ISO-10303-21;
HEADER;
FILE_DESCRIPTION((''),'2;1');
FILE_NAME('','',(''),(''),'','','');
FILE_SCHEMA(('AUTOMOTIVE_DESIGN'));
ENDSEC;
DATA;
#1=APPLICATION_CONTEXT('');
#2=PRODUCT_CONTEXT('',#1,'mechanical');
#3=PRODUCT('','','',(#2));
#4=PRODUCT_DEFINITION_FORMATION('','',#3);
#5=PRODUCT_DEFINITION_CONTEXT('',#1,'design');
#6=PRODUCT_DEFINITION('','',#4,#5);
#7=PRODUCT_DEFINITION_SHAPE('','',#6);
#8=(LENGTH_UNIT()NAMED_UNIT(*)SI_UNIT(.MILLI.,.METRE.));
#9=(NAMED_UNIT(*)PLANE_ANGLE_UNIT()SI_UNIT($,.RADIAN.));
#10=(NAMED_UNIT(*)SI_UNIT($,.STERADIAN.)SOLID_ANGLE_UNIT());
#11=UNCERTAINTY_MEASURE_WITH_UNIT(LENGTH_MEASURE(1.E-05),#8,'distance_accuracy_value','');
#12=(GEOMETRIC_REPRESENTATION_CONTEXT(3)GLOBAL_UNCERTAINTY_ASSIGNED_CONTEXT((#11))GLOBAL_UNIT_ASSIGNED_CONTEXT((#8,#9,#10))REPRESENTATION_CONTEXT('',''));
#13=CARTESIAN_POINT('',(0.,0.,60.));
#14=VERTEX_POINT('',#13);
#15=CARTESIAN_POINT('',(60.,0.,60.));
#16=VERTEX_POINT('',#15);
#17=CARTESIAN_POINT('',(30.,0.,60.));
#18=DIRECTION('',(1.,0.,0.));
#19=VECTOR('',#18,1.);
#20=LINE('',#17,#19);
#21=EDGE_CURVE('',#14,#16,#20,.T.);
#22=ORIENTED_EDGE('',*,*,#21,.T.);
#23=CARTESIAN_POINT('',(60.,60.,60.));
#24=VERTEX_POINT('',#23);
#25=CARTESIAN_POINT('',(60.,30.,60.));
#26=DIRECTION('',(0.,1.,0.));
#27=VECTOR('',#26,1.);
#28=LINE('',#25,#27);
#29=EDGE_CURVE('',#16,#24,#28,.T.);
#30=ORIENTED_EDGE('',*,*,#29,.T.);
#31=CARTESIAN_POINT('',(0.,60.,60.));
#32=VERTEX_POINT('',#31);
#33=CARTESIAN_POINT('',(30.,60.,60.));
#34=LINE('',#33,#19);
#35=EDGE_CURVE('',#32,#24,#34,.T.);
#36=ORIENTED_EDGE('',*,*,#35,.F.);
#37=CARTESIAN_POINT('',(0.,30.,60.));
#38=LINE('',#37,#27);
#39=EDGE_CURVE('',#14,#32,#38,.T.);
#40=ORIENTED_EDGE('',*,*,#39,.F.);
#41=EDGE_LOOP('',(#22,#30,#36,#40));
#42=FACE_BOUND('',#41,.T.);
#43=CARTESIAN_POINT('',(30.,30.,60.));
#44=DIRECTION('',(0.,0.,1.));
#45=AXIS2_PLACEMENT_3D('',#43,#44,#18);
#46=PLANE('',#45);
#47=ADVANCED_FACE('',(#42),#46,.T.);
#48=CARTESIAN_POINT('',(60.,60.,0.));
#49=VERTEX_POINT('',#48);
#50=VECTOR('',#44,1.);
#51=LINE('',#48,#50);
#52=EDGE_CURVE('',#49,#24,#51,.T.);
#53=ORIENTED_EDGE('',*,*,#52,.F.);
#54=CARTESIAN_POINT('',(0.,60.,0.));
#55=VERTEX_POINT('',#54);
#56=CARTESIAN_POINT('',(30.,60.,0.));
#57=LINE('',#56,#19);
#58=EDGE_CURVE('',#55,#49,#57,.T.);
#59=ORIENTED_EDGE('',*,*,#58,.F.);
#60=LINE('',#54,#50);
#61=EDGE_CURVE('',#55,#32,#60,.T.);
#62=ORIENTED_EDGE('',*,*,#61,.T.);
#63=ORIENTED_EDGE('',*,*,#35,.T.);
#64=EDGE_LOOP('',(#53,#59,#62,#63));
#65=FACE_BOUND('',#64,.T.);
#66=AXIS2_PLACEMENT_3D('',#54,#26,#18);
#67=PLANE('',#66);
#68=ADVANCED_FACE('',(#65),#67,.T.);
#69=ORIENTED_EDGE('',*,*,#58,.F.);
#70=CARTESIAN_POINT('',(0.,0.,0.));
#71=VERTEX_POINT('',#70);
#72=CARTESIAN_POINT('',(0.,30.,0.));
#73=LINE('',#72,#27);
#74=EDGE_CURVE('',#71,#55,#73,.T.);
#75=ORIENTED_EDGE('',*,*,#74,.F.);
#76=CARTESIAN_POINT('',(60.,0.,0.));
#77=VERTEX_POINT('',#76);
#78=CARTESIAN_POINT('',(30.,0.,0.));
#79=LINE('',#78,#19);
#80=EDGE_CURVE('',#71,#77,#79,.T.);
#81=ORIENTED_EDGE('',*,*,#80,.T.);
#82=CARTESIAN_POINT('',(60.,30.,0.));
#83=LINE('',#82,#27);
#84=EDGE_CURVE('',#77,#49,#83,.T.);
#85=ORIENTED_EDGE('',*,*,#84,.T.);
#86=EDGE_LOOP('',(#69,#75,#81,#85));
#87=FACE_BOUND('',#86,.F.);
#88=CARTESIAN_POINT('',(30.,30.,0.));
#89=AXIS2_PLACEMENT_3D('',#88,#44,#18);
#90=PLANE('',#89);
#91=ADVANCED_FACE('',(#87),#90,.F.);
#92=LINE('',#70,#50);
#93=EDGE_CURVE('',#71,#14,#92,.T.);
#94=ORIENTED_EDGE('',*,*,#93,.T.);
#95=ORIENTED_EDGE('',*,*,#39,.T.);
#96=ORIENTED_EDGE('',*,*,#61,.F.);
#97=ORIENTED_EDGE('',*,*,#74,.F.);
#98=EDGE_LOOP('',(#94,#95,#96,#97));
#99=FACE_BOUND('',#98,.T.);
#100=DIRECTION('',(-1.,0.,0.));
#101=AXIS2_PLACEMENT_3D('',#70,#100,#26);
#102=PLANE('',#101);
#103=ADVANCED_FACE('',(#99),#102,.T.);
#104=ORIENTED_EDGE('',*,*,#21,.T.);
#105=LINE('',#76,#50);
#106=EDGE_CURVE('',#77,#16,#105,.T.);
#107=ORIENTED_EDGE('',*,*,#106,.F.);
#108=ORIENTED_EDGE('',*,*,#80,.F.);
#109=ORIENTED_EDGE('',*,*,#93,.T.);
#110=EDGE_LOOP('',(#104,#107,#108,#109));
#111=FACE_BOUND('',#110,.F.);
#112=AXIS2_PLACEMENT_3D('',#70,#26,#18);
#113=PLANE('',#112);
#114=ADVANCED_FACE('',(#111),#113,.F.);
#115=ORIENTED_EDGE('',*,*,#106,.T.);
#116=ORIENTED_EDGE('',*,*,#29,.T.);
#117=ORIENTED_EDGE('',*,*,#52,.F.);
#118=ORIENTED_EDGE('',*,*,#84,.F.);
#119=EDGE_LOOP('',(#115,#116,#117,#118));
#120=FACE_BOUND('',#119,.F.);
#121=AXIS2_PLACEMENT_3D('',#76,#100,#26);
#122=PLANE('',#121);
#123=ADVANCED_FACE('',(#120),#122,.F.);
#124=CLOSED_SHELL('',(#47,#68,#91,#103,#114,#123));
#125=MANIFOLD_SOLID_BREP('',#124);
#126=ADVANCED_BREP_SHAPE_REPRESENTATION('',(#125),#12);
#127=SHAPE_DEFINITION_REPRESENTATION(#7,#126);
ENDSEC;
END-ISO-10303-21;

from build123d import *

# Parameters (mm, degrees)
SKETCH1_W           = 60
SKETCH1_H           = 60
BOSS_EXTRUDE1_DEPTH = 60


with BuildPart() as part:
    # Sketch1 → Boss-Extrude1 (new body)
    with BuildSketch(Plane.XY):
        with Locations((30, 30)):
            Rectangle(SKETCH1_W, SKETCH1_H)
    extrude(amount=BOSS_EXTRUDE1_DEPTH)


solid = part.part
